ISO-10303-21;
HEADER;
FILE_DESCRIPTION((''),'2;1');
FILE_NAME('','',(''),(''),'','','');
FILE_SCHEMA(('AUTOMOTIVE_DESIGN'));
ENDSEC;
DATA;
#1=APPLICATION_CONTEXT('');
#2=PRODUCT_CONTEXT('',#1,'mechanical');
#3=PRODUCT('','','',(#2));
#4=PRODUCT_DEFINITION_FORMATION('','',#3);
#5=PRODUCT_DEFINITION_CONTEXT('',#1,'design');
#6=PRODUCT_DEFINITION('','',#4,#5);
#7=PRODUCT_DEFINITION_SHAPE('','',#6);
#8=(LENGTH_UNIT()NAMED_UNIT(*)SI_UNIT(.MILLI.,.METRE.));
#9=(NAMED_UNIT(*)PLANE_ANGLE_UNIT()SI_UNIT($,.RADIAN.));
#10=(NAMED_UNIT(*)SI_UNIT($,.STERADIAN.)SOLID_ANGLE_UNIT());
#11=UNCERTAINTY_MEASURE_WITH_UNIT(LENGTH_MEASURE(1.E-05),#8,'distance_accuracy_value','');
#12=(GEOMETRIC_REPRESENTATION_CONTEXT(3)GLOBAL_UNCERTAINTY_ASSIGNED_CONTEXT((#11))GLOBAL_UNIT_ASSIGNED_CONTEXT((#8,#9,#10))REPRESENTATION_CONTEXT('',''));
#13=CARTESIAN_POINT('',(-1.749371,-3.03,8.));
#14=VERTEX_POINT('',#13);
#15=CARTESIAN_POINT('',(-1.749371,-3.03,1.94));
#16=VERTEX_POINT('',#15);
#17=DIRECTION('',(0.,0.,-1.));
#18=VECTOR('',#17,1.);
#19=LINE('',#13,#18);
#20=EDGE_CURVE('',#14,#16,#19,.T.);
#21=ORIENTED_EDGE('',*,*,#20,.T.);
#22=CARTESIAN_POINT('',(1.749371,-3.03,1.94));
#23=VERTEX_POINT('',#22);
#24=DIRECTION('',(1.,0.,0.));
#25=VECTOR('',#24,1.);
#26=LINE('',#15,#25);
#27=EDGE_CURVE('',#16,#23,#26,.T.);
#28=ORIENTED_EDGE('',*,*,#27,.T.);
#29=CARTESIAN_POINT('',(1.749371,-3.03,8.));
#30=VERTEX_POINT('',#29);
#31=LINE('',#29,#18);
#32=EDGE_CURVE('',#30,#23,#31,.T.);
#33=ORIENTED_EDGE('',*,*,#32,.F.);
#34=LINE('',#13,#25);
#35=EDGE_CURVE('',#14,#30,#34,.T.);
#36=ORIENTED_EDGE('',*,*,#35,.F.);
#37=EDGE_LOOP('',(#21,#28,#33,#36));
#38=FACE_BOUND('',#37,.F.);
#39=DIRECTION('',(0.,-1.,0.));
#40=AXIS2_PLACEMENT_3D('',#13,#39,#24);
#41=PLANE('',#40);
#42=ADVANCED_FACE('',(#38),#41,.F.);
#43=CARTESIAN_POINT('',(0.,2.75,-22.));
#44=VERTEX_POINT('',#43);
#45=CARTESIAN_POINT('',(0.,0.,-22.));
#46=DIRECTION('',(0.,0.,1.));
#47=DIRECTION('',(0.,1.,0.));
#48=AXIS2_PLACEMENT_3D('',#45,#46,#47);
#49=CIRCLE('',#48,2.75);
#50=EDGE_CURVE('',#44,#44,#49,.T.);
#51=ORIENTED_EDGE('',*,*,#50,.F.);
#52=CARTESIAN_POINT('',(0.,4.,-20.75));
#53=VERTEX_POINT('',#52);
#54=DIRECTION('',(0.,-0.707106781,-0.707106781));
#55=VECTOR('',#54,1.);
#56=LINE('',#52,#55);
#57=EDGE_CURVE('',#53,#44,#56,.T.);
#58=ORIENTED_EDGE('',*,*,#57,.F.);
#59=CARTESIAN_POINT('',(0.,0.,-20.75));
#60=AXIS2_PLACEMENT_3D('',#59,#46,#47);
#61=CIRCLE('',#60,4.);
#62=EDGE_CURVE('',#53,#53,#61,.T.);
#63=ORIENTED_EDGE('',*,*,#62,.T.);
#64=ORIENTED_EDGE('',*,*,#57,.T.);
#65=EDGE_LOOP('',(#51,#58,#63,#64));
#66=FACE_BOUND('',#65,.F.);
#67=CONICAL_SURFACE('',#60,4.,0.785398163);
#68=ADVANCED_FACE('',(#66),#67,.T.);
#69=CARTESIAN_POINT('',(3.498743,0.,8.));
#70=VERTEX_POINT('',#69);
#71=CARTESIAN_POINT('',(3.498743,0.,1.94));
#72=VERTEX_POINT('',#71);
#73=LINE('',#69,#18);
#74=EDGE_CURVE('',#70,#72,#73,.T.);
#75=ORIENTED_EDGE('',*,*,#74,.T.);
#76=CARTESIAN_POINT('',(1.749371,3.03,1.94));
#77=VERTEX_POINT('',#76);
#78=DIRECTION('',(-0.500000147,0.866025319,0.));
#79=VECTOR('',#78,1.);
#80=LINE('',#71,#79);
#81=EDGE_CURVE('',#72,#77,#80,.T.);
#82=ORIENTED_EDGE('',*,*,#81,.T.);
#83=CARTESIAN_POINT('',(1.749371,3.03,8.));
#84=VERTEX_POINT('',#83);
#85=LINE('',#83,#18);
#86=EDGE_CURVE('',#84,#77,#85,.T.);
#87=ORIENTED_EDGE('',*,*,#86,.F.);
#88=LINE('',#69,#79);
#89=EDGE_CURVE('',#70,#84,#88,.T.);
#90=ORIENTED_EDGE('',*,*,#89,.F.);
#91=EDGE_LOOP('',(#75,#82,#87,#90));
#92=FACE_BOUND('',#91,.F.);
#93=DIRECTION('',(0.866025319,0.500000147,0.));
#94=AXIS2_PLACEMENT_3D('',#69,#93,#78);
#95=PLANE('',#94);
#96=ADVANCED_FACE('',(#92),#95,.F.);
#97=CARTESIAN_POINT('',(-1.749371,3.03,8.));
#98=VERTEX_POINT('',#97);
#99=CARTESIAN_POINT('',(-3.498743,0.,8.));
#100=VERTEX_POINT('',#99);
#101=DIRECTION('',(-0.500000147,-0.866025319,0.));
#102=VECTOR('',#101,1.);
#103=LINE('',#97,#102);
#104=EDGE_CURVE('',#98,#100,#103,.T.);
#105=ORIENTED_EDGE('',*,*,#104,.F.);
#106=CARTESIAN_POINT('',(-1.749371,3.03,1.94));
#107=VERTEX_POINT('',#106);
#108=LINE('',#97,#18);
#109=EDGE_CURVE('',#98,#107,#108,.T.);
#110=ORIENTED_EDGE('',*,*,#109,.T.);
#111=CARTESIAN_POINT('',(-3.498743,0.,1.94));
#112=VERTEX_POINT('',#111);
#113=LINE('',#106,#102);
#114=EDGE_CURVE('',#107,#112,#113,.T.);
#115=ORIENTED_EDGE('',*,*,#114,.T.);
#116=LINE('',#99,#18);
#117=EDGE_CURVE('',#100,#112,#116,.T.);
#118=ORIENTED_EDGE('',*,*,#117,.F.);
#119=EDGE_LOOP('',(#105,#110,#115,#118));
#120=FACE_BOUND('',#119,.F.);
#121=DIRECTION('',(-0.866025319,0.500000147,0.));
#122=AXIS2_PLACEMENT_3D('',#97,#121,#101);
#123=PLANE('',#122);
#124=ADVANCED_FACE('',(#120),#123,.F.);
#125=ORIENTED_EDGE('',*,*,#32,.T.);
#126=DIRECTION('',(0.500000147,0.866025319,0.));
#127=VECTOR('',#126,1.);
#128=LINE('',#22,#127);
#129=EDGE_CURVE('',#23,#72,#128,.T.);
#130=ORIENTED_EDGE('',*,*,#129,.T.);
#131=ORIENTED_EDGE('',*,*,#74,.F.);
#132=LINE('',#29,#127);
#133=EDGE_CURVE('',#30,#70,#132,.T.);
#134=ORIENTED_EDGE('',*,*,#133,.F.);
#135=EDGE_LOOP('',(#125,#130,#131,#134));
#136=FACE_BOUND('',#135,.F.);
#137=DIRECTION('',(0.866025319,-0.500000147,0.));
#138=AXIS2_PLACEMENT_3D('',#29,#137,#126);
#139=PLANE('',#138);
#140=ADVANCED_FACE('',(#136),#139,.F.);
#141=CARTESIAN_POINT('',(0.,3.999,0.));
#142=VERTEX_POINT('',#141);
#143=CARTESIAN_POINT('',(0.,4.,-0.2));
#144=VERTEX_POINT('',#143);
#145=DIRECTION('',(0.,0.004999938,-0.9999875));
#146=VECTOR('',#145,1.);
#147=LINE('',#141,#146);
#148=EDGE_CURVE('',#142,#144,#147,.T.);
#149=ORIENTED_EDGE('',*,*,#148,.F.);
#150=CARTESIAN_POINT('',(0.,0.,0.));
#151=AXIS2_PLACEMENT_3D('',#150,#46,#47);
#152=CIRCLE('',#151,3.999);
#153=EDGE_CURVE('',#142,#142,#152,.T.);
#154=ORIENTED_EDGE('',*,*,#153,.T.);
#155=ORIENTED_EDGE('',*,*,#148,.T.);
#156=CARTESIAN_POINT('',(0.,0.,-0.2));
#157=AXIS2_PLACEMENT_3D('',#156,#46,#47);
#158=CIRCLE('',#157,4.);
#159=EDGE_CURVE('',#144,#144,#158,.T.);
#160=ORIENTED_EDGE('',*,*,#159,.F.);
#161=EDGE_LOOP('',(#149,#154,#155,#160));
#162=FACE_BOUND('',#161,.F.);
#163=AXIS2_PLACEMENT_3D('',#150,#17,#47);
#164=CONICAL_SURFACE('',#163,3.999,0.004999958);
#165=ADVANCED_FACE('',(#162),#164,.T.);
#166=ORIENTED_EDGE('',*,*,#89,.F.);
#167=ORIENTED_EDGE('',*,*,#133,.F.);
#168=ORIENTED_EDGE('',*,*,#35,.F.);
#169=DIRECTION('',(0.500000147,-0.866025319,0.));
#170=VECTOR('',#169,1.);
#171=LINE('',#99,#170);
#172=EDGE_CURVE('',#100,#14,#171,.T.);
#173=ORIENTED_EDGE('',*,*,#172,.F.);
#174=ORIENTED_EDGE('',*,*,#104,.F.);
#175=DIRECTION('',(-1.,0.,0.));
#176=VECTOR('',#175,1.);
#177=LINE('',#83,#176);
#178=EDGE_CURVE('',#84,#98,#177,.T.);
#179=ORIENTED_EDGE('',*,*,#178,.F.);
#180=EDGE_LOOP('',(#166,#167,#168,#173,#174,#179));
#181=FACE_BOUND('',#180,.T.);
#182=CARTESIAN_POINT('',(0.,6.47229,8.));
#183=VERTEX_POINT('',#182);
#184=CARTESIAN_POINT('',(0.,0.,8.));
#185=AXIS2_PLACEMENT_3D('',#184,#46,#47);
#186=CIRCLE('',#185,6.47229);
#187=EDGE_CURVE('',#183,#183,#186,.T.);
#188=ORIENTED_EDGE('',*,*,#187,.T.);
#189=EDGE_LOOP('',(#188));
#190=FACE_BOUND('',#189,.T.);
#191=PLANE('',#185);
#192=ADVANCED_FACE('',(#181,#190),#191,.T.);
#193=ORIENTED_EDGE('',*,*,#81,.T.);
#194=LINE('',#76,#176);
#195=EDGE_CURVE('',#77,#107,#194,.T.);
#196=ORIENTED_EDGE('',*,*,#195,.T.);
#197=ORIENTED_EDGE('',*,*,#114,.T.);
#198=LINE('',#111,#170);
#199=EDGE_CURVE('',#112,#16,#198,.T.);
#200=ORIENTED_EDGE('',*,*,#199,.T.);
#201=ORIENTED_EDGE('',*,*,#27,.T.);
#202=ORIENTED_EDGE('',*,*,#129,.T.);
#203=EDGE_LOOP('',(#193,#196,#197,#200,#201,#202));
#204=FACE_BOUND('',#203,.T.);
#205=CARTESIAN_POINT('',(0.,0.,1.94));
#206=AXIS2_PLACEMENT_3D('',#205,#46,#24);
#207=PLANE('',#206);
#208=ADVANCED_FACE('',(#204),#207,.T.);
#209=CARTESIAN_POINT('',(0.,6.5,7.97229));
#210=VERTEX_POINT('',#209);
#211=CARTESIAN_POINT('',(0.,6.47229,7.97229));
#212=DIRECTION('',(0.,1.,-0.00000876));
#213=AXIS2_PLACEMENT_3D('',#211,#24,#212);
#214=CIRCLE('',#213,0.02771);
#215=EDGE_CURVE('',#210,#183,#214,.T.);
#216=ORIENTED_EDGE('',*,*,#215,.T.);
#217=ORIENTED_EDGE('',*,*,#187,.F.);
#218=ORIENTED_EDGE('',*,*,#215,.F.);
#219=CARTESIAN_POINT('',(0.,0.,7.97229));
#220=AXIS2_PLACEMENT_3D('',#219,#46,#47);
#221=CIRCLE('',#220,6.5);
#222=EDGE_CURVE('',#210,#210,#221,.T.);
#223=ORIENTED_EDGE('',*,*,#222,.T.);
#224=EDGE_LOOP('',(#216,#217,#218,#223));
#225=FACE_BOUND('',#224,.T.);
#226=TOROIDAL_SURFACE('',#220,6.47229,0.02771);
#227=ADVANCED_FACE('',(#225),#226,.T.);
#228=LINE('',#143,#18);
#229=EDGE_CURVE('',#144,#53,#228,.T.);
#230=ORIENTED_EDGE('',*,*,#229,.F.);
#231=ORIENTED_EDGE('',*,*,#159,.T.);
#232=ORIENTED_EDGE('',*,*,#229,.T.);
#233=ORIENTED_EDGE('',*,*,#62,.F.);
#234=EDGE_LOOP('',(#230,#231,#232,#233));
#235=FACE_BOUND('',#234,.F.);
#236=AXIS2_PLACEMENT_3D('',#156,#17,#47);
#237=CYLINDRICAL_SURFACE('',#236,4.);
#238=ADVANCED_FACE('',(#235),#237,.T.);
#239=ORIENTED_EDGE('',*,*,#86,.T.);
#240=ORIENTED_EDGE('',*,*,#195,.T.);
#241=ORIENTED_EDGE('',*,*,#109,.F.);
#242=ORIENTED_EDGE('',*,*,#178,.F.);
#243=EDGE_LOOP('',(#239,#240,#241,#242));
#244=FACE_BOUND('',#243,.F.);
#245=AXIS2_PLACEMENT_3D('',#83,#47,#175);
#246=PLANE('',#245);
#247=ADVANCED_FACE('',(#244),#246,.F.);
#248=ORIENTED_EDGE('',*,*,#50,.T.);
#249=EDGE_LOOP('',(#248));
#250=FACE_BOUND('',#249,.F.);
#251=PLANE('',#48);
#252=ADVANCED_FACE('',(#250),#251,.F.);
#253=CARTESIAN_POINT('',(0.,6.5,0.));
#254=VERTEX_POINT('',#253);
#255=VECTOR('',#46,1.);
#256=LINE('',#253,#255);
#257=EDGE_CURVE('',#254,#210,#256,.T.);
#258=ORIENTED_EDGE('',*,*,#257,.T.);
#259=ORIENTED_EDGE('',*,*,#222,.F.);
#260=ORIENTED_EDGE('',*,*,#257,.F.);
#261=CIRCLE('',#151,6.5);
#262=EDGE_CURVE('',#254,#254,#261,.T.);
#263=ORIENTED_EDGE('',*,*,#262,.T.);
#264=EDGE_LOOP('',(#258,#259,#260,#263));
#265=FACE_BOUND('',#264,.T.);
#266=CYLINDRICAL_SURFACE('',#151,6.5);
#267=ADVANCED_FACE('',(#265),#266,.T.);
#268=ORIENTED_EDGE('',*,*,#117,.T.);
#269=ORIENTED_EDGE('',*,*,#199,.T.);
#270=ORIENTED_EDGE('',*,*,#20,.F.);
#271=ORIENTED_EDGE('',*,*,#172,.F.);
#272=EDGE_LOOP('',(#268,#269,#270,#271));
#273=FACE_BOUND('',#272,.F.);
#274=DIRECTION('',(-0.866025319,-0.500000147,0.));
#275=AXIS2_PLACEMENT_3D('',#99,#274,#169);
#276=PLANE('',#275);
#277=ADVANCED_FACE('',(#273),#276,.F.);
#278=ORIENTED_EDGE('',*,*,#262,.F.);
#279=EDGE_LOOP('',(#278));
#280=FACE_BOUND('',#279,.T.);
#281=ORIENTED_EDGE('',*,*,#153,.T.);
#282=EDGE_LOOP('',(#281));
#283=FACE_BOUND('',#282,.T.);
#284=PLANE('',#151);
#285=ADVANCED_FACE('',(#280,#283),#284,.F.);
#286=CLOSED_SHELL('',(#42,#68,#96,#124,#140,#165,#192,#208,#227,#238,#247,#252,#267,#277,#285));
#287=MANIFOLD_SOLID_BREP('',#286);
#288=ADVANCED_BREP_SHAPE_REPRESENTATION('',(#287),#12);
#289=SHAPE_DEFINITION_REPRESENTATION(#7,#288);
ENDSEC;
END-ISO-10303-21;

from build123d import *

# Parameters (mm, degrees)
POCKET_DEPTH = 6.06


with BuildPart() as part:
    # Sketch → Revolve (revolve)
    with BuildSketch(Plane.YZ):
        with BuildLine():
            Line((3.999, 0), (6.5, 0))
            Line((6.5, 0), (6.5, 7.97229))
            ThreePointArc((6.5, 7.97229), (6.491884, 7.991884), (6.47229, 8))
            Line((6.47229, 8), (0, 8))
            Line((0, -22), (0, 8))
            Line((2.75, -22), (0, -22))
            Line((4, -20.75), (2.75, -22))
            Line((4, -0.2), (4, -20.75))
            Line((3.999, 0), (4, -0.2))
        make_face()
    revolve(axis=Axis((0, 0, 0), (0, 0, 1)))

    # Sketch001 → Pocket (cut)
    with BuildSketch(Plane.XY.offset(8)):
        Polygon((3.498743, 0), (1.749371, 3.03), (-1.749371, 3.03), (-3.498743, 0), (-1.749371, -3.03), (1.749371, -3.03), align=None)
    extrude(amount=-POCKET_DEPTH, mode=Mode.SUBTRACT)


solid = part.part
